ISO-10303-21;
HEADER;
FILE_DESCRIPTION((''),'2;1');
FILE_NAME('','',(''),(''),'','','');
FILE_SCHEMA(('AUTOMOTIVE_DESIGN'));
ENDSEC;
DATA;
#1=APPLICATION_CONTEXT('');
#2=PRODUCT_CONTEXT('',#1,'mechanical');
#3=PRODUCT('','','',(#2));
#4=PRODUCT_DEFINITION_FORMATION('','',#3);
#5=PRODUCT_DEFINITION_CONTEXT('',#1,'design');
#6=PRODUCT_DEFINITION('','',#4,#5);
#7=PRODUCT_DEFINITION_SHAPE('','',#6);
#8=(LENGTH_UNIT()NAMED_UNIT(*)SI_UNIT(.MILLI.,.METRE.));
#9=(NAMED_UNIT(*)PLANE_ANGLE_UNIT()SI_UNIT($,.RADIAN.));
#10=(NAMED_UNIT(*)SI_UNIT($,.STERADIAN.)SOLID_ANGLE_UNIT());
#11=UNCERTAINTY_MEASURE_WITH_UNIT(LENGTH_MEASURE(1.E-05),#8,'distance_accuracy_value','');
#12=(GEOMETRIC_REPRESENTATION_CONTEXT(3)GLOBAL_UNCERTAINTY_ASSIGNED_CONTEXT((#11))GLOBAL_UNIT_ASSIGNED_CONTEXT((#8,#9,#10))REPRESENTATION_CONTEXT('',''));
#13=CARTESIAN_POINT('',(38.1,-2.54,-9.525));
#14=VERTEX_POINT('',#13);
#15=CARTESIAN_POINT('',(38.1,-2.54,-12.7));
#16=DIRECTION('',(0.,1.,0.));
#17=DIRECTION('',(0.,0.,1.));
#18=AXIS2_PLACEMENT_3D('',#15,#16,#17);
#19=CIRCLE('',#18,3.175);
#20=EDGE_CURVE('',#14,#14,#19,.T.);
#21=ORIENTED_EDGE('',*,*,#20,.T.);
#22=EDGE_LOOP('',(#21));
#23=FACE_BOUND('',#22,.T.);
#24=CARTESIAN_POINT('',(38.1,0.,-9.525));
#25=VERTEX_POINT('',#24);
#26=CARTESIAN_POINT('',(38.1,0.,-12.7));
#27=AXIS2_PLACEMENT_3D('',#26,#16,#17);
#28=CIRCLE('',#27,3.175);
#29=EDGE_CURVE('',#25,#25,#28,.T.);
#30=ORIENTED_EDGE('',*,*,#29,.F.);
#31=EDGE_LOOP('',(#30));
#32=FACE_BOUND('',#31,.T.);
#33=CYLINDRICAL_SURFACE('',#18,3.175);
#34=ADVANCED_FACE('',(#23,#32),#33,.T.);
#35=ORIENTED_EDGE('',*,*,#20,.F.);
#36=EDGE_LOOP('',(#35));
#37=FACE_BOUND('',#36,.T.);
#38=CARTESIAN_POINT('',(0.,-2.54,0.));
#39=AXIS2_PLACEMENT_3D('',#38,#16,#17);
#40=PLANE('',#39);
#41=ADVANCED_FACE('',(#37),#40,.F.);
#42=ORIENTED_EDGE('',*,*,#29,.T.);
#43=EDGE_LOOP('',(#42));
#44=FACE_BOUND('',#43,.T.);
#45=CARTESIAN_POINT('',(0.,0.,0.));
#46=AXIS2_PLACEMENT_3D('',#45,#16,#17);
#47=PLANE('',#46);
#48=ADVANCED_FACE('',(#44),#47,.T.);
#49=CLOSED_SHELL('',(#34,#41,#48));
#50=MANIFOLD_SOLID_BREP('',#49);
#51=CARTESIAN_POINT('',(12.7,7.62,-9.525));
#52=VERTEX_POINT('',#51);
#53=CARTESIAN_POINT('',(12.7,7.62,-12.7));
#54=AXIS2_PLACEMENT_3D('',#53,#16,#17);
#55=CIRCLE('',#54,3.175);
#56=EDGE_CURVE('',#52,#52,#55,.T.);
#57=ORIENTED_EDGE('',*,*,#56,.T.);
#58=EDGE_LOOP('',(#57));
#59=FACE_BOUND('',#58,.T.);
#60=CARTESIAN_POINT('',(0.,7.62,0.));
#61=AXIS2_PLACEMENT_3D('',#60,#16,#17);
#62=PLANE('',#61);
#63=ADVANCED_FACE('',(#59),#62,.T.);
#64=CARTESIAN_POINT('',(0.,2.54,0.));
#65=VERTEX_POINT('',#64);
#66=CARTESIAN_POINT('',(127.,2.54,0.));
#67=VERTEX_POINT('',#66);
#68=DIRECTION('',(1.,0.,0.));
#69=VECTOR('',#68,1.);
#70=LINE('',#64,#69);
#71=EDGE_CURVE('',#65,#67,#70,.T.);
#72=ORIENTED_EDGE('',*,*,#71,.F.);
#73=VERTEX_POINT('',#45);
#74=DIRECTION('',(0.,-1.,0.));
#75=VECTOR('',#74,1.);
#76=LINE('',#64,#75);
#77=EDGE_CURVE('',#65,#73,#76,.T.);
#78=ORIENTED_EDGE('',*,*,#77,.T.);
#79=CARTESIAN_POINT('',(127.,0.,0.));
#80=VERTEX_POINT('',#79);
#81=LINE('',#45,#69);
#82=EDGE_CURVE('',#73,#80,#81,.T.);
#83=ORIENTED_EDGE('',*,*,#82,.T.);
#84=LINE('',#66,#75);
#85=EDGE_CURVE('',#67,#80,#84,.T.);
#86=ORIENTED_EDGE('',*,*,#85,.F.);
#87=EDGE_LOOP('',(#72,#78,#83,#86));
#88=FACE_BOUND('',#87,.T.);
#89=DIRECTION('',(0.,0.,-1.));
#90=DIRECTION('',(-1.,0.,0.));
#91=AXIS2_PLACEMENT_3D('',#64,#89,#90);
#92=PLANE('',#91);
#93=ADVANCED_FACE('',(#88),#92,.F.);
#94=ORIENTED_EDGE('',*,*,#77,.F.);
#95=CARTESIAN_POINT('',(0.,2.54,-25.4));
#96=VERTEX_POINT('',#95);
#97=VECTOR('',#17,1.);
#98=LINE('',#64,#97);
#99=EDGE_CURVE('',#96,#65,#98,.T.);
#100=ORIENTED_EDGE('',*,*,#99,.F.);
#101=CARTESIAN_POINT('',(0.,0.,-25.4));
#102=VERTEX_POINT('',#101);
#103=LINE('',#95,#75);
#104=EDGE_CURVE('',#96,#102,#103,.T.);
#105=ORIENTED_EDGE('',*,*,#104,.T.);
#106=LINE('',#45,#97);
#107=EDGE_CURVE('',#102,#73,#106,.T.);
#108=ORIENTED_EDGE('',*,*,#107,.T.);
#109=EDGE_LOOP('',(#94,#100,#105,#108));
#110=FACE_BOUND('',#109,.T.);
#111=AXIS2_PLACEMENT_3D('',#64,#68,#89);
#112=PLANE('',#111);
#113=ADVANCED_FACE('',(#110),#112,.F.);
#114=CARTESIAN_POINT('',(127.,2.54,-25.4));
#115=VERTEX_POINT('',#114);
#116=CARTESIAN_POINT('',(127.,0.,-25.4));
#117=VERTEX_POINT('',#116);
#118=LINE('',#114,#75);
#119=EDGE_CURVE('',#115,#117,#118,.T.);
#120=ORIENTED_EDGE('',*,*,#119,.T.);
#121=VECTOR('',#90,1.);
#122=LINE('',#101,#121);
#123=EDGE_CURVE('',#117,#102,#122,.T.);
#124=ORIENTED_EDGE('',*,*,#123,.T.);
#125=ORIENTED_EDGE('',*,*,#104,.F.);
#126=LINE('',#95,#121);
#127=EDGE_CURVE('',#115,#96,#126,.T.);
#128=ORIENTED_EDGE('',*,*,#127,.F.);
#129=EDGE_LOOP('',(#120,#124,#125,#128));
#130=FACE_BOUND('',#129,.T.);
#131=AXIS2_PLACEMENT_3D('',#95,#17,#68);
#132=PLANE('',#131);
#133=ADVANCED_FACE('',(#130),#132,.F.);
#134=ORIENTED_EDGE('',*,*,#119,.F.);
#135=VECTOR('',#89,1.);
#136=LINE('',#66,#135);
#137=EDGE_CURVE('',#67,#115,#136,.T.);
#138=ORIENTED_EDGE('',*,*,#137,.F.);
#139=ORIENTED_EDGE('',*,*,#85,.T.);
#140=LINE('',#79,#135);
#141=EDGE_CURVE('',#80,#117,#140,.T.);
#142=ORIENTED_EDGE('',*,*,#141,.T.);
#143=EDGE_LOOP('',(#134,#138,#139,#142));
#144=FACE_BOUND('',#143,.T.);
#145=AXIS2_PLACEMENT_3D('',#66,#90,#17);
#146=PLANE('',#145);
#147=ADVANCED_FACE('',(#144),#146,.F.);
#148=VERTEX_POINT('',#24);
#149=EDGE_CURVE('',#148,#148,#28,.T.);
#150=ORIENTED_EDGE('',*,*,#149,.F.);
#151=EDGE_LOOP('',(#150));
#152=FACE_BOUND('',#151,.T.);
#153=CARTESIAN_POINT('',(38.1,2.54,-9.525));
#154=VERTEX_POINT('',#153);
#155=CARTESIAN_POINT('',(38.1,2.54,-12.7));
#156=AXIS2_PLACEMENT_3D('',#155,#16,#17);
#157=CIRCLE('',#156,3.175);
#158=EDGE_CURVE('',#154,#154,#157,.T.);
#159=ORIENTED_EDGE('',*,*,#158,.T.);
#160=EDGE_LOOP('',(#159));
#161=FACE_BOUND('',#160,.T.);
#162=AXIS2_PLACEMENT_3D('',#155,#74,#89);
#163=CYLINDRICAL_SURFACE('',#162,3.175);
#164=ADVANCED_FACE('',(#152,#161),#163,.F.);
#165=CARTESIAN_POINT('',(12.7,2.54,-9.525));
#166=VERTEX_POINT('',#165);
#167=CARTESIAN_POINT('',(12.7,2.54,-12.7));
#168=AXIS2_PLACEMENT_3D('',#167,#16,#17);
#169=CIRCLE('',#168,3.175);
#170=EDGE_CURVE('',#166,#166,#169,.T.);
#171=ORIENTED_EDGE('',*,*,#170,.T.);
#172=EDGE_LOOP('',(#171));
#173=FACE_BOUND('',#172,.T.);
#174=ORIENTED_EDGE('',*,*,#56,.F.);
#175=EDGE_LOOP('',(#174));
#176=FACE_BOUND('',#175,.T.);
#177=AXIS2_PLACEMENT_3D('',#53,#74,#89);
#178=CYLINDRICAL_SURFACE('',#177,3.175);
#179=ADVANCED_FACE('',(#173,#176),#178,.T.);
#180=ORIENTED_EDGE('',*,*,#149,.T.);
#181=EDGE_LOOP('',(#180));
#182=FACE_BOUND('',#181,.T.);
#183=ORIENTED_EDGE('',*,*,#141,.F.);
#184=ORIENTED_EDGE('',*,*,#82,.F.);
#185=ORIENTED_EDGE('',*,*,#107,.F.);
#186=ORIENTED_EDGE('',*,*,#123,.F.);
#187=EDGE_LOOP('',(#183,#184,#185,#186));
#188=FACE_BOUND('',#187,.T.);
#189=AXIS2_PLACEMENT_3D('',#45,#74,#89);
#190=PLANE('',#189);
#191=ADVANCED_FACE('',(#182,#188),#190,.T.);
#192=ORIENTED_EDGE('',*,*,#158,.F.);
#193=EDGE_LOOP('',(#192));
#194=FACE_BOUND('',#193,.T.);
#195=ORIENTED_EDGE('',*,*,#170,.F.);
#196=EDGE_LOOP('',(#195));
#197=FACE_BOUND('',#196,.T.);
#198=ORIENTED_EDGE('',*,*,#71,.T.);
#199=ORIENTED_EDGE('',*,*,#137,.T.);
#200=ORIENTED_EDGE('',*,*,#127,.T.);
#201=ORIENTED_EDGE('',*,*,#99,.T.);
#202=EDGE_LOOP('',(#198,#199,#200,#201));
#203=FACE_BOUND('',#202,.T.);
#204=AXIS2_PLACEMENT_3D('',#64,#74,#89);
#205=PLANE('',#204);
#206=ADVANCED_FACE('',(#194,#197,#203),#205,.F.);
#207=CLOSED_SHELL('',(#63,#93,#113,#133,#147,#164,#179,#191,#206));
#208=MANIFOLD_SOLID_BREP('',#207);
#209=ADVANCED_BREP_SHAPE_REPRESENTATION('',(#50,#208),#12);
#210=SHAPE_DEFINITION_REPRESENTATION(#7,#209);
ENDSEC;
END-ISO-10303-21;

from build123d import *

# Parameters (mm, degrees)
SKETCH2_W           = 127
SKETCH2_H           = 25.4
SKETCH2_R           = 3.175
BOSS_EXTRUDE1_DEPTH = 2.54
SKETCH2_2_R         = 3.175
BOSS_EXTRUDE2_DEPTH = 7.62
SKETCH2_3_R         = 3.175
BOSS_EXTRUDE3_DEPTH = 2.54


with BuildPart() as part:
    # Sketch2 → Boss-Extrude1 (new body)
    with BuildSketch(Plane(origin=(0, 0, 0), x_dir=(1, 0, 0), z_dir=(0, 1, 0))):
        with Locations((63.5, 12.7)):
            Rectangle(SKETCH2_W, SKETCH2_H)
        with Locations((12.7, 12.7)):
            Circle(SKETCH2_R, mode=Mode.SUBTRACT)
        with Locations((38.1, 12.7)):
            Circle(SKETCH2_R, mode=Mode.SUBTRACT)
    extrude(amount=BOSS_EXTRUDE1_DEPTH)

    # Sketch2<2> → Boss-Extrude2 (add)
    with BuildSketch(Plane(origin=(0, 0, 0), x_dir=(1, 0, 0), z_dir=(0, 1, 0))):
        with Locations((12.7, 12.7)):
            Circle(SKETCH2_2_R)
    extrude(amount=BOSS_EXTRUDE2_DEPTH)


with BuildPart() as body_2:
    # Sketch2<3> → Boss-Extrude3 (new body)
    with BuildSketch(Plane(origin=(0, 0, 0), x_dir=(1, 0, 0), z_dir=(0, 1, 0))):
        with Locations((38.1, 12.7)):
            Circle(SKETCH2_3_R)
    extrude(amount=-BOSS_EXTRUDE3_DEPTH)


solid = Compound([part.part, body_2.part])
